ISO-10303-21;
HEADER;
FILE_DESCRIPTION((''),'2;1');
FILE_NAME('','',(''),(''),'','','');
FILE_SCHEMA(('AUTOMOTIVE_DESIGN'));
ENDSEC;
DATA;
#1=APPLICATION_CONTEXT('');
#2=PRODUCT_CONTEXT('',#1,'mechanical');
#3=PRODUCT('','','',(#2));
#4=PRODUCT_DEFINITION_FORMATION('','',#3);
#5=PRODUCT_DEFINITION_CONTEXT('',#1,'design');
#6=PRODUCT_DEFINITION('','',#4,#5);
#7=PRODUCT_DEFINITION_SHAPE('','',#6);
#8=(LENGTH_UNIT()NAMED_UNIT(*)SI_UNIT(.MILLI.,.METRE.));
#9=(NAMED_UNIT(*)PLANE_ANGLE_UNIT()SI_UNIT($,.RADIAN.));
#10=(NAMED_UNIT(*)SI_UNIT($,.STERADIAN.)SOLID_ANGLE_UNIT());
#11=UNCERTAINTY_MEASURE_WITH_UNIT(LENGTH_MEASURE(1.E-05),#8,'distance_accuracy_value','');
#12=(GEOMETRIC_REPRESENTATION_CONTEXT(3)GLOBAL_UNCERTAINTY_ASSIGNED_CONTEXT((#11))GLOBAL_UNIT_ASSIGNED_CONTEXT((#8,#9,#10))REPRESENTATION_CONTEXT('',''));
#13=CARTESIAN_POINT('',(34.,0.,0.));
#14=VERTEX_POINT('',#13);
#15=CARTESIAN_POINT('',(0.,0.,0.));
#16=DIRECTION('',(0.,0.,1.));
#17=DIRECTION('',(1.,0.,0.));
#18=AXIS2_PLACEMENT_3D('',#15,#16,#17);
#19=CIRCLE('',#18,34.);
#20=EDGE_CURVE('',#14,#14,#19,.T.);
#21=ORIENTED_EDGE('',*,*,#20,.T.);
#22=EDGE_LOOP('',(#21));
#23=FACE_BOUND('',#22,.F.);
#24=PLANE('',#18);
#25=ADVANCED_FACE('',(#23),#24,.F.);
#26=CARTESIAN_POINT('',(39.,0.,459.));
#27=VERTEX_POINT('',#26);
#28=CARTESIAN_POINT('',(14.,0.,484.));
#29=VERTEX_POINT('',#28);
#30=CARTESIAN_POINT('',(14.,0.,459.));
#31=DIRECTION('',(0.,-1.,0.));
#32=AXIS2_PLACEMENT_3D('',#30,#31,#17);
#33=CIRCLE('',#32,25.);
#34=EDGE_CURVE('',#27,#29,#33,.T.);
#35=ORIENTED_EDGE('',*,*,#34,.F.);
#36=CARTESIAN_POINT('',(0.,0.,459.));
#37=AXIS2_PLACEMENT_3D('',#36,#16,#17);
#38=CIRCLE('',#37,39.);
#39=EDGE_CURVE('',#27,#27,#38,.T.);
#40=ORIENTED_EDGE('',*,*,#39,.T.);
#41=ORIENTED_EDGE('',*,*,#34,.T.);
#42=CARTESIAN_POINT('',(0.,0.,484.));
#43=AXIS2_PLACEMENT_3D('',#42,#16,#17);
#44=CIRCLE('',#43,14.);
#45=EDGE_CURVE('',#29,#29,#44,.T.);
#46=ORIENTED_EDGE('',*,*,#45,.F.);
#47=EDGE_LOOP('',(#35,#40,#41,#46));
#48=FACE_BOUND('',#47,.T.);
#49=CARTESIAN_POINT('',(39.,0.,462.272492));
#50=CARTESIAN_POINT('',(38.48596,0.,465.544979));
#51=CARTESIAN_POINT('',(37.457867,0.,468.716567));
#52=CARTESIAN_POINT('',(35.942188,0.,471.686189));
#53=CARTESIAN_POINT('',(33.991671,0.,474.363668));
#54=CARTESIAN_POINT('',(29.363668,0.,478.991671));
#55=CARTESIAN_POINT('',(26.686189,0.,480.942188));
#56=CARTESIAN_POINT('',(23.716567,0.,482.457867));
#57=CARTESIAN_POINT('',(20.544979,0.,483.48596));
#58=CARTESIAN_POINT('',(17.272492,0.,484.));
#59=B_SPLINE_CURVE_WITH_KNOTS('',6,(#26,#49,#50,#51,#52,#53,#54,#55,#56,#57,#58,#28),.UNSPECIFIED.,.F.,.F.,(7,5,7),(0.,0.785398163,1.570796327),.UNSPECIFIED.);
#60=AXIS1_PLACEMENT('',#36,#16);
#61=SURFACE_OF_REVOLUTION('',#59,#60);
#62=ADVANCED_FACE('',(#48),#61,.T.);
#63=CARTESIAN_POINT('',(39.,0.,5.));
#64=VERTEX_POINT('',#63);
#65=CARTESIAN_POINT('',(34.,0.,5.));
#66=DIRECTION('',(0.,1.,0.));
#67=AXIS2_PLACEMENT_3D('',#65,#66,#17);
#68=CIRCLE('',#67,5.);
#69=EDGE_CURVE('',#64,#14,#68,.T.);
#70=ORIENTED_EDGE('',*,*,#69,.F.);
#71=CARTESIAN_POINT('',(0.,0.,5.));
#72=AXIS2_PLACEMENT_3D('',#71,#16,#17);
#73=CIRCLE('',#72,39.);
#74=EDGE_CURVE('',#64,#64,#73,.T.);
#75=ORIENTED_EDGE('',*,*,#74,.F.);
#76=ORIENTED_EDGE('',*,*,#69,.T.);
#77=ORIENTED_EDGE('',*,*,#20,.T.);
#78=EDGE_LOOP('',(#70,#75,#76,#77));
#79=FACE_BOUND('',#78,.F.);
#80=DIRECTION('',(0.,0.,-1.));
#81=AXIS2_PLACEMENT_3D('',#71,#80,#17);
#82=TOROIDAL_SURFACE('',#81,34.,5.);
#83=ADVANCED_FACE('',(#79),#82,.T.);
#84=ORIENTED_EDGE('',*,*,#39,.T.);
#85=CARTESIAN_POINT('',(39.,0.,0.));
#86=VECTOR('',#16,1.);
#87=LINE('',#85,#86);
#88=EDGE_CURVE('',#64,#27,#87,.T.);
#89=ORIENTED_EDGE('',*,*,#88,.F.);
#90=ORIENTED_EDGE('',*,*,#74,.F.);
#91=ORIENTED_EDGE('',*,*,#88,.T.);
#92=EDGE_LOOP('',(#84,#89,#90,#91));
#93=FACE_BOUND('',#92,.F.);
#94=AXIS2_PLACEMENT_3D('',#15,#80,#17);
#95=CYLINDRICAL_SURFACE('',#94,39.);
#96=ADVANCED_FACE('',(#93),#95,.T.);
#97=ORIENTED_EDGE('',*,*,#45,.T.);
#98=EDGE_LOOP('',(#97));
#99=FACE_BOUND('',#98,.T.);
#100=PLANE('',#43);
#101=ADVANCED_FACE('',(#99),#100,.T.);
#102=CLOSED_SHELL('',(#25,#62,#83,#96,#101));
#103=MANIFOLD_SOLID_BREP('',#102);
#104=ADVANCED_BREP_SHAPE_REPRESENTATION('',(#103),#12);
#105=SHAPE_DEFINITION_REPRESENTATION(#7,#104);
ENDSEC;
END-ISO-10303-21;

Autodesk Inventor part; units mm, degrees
ref_plane "YZ Plane" through (0, 0, 0) normal (1, 0, 0) x (0, 1, 0)
ref_plane "XZ Plane" through (0, 0, 0) normal (0, 1, 0) x (-1, 0, 0)
ref_plane "XY Plane" through (0, 0, 0) normal (0, 0, 1) x (1, 0, 0)
sketch "Sketch1" plane through (0, 0, 0) normal (0, 0, 1) x (1, 0, 0)
  circle A0 centre (0, 0) radius 39
  dimension "d0" = 78
extrude "Extrusion1" add sketch "Sketch1" along normal blind 484
fillet "Fillet1" radius 25 1 edges at (-39, 0, 484)
fillet "Fillet4" radius 5 1 edges at (-39, 0, 0)
properties part number "Accumulator"
